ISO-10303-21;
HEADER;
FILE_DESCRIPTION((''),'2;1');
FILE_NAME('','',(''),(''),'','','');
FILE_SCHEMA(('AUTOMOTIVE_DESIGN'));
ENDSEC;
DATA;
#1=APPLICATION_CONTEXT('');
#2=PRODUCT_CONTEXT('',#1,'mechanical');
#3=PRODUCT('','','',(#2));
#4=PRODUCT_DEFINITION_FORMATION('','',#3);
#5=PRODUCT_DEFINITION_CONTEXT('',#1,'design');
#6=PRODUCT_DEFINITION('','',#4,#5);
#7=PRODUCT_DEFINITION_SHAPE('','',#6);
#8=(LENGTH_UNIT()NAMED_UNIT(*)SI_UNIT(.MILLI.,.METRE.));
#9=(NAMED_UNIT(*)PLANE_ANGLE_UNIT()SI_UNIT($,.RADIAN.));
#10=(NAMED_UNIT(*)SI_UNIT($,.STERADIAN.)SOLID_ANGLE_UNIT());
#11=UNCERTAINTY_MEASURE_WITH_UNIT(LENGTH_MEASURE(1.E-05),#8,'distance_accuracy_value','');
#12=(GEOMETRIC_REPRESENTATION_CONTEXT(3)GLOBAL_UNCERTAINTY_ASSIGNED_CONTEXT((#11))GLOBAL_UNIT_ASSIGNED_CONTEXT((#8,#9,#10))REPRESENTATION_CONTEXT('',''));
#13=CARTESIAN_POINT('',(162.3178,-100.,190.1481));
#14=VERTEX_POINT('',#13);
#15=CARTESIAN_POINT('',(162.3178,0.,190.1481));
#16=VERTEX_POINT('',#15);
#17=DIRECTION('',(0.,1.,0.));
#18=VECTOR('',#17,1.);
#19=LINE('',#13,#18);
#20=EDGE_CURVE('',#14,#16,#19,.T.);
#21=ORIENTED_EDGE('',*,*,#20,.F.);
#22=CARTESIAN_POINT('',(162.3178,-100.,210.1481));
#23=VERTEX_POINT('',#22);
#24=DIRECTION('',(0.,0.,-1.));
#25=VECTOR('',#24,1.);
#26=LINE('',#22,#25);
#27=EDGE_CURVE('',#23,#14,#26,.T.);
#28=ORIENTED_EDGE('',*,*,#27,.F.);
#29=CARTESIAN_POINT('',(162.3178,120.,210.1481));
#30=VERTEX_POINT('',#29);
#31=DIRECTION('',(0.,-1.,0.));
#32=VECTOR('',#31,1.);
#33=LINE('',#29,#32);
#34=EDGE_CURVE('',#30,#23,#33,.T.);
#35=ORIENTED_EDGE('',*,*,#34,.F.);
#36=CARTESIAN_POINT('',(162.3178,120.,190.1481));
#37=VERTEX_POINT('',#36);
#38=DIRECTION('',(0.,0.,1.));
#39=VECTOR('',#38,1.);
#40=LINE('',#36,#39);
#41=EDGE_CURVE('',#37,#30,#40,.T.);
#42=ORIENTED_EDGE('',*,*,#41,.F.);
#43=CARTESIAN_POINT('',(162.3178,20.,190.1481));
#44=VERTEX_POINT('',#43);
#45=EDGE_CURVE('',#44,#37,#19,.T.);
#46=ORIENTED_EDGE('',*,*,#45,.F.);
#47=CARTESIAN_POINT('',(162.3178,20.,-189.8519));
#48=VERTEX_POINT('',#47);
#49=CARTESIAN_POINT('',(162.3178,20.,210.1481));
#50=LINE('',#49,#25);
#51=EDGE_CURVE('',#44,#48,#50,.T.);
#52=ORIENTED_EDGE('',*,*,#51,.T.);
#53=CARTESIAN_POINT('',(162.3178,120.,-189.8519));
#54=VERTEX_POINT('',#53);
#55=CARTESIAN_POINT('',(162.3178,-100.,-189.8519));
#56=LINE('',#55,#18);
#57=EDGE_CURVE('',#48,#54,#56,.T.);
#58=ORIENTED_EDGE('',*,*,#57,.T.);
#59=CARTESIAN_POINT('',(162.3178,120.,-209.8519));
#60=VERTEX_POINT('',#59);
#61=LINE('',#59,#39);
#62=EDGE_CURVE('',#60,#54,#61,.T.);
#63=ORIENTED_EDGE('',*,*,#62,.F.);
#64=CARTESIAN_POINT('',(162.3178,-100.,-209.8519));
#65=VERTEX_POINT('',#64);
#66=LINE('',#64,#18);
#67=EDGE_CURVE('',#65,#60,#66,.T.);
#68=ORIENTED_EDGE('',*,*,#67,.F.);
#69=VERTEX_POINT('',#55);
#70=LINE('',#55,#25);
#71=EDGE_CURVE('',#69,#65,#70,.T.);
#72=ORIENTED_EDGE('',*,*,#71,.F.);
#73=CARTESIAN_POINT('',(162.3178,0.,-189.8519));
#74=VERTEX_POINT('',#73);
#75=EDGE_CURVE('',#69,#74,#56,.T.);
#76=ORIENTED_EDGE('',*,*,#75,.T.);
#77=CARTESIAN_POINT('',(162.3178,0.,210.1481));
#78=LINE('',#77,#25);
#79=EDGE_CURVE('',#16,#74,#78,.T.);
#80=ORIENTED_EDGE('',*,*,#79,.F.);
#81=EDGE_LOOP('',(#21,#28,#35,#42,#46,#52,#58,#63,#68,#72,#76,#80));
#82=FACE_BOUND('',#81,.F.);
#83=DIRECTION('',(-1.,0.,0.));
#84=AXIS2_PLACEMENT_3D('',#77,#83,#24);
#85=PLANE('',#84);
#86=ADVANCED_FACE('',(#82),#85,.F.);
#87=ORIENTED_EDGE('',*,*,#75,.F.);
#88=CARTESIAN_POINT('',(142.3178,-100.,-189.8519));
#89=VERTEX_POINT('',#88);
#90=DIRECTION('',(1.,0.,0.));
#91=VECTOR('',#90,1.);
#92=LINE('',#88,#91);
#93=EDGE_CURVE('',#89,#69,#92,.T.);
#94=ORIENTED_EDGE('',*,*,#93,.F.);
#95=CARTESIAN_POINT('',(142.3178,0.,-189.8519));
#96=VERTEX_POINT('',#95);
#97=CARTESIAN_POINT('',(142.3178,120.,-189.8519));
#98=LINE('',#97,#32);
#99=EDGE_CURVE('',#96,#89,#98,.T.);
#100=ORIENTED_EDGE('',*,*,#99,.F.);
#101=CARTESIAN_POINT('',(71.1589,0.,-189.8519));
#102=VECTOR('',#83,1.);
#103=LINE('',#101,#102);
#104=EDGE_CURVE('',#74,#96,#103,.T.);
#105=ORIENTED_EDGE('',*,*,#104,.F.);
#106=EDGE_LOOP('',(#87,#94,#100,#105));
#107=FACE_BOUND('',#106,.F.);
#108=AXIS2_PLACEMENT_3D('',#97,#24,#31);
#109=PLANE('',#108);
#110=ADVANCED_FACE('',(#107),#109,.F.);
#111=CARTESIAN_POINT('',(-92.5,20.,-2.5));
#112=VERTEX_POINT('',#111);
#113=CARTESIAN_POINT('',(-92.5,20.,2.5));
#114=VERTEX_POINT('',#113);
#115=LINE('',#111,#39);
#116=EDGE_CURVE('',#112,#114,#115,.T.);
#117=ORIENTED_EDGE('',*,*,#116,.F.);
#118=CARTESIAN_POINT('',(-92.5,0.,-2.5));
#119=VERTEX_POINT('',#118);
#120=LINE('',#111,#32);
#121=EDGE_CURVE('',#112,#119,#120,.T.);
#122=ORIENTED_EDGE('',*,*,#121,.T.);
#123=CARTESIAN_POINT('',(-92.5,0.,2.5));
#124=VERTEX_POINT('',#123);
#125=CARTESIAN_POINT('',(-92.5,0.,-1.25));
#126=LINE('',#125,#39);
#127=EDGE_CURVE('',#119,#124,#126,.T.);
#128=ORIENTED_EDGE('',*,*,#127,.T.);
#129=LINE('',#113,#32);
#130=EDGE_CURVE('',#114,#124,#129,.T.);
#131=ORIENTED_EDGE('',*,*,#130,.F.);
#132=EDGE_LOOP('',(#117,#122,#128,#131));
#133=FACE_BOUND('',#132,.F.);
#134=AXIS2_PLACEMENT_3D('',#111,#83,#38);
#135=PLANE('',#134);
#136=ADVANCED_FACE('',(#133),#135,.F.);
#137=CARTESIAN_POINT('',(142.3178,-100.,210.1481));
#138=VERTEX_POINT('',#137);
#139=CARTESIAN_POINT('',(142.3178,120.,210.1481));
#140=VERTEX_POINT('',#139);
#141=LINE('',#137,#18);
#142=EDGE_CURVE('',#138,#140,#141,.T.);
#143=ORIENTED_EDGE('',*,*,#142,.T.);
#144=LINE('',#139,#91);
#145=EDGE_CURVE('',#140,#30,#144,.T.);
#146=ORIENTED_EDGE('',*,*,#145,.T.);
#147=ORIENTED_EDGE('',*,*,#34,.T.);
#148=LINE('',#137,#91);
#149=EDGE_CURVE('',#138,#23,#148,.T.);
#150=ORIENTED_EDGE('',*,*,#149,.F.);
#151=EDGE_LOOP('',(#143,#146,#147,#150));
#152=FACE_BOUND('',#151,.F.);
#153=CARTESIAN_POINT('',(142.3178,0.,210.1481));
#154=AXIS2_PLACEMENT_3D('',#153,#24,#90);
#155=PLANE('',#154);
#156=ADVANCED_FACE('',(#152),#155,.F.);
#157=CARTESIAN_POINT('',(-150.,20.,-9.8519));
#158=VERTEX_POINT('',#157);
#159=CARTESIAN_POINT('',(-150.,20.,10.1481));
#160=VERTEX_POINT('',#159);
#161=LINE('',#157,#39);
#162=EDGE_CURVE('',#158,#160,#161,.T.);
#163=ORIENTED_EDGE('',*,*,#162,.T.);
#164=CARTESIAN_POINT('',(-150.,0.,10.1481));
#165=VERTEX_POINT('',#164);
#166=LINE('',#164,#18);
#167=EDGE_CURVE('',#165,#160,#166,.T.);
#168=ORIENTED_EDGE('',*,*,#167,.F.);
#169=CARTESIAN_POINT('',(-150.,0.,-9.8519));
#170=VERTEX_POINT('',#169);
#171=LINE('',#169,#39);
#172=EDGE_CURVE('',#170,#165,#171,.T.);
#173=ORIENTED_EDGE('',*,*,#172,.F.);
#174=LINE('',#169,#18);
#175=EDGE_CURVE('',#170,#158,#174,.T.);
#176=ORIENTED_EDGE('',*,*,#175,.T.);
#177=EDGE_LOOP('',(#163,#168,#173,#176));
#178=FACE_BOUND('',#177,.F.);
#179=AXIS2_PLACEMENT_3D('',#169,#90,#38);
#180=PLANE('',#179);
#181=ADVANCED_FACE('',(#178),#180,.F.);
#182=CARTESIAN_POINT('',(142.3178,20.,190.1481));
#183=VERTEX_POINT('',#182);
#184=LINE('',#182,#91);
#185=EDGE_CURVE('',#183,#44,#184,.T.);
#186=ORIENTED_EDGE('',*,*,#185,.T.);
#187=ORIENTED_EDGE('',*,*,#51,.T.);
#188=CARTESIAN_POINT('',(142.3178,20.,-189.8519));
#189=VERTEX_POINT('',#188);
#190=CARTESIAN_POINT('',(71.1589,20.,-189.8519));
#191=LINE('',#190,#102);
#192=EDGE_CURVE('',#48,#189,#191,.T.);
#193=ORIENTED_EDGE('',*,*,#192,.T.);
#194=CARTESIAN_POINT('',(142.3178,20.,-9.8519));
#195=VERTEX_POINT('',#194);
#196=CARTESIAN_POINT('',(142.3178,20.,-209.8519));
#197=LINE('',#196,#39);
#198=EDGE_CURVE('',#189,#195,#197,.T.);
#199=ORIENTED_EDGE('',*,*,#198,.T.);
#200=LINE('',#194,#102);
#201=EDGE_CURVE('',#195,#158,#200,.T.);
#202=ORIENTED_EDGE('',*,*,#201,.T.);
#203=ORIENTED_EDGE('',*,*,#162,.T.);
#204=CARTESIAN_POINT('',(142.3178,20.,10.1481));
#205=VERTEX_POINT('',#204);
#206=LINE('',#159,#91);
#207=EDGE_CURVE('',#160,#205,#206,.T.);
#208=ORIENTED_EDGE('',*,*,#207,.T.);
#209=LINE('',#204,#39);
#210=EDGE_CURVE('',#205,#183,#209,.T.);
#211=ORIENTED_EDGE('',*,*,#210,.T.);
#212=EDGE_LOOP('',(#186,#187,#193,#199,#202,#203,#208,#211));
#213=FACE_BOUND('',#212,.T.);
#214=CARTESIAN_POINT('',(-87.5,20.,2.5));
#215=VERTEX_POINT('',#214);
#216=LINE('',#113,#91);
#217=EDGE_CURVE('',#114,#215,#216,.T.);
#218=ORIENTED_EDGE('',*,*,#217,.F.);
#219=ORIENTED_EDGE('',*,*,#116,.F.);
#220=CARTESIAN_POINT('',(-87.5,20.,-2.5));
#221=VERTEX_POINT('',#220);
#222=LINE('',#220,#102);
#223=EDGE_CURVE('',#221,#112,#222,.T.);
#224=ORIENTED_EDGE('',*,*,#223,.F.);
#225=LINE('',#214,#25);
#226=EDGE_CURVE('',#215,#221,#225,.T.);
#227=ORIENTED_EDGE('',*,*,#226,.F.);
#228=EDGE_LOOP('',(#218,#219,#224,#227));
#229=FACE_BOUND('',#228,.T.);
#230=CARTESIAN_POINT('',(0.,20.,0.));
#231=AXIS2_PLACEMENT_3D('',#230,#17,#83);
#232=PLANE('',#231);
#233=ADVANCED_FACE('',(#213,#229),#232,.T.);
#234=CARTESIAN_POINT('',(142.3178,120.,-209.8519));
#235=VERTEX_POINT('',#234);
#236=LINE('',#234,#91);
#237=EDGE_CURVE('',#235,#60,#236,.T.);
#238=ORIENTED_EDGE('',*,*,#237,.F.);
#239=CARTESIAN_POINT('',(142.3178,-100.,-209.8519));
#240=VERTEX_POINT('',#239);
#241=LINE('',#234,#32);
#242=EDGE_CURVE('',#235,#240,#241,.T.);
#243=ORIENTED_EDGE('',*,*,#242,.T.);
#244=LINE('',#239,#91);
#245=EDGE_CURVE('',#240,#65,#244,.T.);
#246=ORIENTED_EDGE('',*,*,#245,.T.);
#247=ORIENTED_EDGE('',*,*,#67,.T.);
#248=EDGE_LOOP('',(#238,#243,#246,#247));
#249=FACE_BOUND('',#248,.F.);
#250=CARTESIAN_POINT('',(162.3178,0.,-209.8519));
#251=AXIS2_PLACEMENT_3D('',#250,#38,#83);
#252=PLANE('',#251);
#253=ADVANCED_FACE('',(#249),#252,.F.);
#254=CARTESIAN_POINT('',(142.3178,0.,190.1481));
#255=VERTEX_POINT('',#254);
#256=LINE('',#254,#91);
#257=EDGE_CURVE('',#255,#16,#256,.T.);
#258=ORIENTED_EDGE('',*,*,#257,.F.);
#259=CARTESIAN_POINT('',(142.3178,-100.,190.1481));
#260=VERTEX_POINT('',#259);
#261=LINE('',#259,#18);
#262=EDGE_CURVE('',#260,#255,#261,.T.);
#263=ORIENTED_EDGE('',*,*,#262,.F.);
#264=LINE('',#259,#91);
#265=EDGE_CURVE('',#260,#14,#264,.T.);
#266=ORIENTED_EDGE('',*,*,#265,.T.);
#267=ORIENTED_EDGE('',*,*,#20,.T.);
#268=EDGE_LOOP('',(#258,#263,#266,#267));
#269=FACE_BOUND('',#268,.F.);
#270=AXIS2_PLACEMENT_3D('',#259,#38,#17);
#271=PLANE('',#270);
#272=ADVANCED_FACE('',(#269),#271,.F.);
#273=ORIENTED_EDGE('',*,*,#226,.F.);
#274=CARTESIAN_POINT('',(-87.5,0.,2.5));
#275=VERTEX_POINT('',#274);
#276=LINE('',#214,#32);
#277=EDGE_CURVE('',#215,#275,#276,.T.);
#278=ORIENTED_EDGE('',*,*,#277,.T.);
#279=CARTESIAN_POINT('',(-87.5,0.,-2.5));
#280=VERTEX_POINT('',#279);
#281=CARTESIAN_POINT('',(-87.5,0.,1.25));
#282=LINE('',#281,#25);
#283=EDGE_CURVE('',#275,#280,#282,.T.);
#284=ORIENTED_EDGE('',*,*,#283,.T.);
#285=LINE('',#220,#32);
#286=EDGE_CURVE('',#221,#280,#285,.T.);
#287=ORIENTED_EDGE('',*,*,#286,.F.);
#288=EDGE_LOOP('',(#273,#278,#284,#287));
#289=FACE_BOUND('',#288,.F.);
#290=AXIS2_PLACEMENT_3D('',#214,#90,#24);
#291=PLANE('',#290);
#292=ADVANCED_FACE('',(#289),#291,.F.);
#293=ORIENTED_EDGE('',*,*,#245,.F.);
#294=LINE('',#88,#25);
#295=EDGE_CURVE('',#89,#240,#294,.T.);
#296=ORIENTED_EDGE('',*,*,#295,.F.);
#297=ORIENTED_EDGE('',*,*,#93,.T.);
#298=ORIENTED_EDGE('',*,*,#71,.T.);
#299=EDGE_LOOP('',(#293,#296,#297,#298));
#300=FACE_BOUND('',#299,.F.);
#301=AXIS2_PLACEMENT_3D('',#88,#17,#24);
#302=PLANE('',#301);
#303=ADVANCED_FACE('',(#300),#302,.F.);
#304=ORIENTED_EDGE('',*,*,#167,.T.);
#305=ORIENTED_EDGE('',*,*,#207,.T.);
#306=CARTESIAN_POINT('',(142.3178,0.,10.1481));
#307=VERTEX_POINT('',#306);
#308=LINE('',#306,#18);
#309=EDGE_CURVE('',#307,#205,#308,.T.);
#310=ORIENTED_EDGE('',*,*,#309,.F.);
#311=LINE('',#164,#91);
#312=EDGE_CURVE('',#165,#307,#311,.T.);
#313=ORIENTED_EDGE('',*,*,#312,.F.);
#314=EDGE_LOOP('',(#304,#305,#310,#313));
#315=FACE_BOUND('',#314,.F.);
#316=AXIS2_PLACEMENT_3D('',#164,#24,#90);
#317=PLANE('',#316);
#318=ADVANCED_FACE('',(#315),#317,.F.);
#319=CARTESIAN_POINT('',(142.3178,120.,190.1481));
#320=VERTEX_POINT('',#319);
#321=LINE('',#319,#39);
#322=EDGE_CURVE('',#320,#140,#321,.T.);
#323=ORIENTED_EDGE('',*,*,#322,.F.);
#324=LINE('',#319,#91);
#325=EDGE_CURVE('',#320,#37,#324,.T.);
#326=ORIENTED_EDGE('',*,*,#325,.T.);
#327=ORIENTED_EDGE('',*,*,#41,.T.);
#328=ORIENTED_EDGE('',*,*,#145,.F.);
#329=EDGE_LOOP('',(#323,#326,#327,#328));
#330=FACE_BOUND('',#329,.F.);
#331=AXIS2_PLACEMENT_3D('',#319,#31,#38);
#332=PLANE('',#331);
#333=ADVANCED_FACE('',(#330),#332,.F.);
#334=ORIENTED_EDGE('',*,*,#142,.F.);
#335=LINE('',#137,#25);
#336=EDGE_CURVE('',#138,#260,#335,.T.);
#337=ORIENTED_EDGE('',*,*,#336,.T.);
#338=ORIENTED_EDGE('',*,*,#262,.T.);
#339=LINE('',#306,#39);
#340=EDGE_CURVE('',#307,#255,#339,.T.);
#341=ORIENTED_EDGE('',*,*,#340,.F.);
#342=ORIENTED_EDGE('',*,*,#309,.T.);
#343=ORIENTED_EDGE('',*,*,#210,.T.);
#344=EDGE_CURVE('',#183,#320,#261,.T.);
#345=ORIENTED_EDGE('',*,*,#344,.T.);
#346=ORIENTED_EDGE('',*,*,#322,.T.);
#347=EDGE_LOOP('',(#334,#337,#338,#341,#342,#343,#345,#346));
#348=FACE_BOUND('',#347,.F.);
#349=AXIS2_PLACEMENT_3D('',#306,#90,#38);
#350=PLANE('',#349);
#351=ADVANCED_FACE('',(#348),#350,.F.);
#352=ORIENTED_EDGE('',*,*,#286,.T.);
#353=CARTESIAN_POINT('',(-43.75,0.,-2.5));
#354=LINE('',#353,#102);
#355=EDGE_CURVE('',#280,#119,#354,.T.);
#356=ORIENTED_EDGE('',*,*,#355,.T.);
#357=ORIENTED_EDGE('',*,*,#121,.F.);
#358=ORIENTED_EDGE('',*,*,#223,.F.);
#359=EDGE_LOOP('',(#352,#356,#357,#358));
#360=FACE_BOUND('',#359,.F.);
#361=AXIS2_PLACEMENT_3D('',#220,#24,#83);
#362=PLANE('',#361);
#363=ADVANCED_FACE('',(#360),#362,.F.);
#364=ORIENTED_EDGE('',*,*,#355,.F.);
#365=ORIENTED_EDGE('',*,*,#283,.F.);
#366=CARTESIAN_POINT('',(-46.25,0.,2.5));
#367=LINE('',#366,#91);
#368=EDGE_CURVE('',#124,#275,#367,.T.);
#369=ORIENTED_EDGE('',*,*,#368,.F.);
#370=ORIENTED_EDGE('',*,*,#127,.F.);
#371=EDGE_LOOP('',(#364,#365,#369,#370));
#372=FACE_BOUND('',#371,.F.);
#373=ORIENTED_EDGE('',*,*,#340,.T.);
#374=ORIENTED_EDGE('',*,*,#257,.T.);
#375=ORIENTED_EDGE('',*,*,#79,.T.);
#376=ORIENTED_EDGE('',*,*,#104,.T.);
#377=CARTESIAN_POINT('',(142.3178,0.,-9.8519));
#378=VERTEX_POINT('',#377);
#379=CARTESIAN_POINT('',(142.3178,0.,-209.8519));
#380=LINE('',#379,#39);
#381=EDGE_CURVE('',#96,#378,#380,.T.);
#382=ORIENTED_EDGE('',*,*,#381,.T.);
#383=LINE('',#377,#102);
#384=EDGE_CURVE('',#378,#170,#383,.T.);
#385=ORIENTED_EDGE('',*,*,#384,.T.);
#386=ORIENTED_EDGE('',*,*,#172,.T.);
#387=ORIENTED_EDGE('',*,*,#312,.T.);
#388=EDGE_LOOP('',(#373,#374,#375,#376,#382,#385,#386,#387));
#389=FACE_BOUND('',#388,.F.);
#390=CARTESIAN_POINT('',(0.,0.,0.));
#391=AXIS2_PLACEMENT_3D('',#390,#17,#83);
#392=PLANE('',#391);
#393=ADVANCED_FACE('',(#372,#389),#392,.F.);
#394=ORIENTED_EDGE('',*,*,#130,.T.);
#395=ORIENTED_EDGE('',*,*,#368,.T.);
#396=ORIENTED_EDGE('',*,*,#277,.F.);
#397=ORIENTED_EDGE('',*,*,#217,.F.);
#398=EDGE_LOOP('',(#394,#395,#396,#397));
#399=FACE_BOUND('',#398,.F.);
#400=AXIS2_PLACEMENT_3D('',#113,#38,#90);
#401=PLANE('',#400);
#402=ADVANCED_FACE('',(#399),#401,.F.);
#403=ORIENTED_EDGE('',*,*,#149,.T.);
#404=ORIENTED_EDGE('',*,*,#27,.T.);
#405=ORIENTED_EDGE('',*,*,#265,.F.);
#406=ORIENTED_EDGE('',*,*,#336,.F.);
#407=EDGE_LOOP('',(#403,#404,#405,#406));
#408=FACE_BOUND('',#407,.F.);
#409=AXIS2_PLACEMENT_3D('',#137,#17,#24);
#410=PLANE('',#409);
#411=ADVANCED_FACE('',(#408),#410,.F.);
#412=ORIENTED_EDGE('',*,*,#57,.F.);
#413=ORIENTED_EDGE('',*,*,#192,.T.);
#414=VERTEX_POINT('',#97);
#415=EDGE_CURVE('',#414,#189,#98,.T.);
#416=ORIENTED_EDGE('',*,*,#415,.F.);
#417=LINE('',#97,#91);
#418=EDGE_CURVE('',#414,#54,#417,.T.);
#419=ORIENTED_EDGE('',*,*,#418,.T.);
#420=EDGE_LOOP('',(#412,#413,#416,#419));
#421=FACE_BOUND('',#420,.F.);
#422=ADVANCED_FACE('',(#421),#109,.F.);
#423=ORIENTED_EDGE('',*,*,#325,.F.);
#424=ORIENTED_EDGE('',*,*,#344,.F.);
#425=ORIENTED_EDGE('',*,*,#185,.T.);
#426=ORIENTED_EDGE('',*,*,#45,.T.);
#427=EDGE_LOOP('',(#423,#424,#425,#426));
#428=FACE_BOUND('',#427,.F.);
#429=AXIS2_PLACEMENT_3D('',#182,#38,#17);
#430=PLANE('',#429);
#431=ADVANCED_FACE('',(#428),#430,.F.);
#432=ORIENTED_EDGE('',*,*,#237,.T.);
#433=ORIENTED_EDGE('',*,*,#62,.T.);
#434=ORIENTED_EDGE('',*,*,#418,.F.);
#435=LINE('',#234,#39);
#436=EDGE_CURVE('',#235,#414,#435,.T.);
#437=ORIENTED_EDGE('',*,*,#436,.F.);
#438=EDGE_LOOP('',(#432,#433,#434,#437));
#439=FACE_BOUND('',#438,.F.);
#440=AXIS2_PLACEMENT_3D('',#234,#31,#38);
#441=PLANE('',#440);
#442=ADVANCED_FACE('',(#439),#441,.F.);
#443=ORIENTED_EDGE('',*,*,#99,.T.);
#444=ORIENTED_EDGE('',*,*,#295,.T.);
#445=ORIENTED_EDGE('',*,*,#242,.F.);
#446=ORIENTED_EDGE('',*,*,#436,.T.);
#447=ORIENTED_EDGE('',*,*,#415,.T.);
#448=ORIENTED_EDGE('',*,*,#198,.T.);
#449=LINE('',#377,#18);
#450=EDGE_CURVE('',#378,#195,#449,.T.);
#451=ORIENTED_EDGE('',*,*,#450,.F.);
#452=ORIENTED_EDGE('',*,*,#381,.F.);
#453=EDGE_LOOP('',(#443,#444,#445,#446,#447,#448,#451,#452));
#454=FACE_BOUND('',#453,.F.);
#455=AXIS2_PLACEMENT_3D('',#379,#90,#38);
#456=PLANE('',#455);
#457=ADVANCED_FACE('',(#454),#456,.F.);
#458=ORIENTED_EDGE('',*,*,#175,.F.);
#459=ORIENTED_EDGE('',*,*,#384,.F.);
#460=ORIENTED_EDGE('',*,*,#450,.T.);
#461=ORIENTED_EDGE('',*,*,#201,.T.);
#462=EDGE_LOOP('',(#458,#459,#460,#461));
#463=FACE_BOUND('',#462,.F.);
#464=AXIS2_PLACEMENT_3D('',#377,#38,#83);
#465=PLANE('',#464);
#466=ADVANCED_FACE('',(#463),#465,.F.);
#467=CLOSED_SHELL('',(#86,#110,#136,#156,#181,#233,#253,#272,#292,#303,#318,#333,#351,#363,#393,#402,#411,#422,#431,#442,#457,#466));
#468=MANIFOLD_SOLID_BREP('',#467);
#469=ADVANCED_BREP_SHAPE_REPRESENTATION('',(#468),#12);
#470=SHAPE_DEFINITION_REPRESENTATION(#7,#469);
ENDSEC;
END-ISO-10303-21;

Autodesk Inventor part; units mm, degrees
ref_plane "YZ Plane" through (0, 0, 0) normal (1, 0, 0) x (0, 1, 0)
ref_plane "XZ Plane" through (0, 0, 0) normal (0, 1, 0) x (-1, 0, 0)
ref_plane "XY Plane" through (0, 0, 0) normal (0, 0, 1) x (1, 0, 0)
sketch "Sketch2" plane through (0, 0, 0) normal (0, 1, 0) x (-1, 0, 0)
  line L0 (150, 10.1481) -> (-142.3178, 10.1481)
  line L1 (-142.3178, -9.8519) -> (150, -9.8519)
  line L2 (150, -9.8519) -> (150, 10.1481)
  line L3 (-142.3178, 10.1481) -> (-142.3178, 210.1481)
  line L4 (-142.3178, 210.1481) -> (-162.3178, 210.1481)
  line L5 (-162.3178, 210.1481) -> (-162.3178, -209.8519)
  line L6 (-162.3178, -209.8519) -> (-142.3178, -209.8519)
  line L7 (-142.3178, -209.8519) -> (-142.3178, -9.8519)
  point P0 (0, 0)
  dimension "d0" = 20
  dimension "d2" = 150
  dimension "d3" = 200
  dimension "d4" = 420
  dimension "d5" = 20
  dimension "d6" = 292.3178
  dimension "d7" = 20
extrude "Extrusion1" add sketch "Sketch2" along normal blind 20
sketch "Sketch3" plane through (142.3178, 0, -209.8519) normal (-1, 0, 0) x (0, 0, 1)
  line L0 (0, 120) -> (20, 120)
  line L1 (20, 120) -> (20, -100)
  line L2 (20, -100) -> (0, -100)
  line L3 (0, -100) -> (0, 120)
  line L4 (0, 0) -> (200, 0) projected
  line L5 (0, 20) -> (200, 20) projected
  line L6 (420, -100) -> (400, -100)
  line L7 (400, -100) -> (400, 120)
  line L8 (400, 120) -> (420, 120)
  line L9 (420, 120) -> (420, -100)
  line L10 (420, 0) -> (420, 20) projected
  line L11 (220, 0) -> (420, 0) projected
  line L12 (220, 20) -> (420, 20) projected
  point P0 (209.8519, 0)
  point P1 (400, 20)
  point P2 (400, 0)
  dimension "d10" = 100
  dimension "d11" = 100
  dimension "d12" = 20
  dimension "d13" = 20
  dimension "d14" = 0
  dimension "d15" = 100
  dimension "d16" = 100
extrude "Extrusion2" add sketch "Sketch3" against normal blind 20 contours L0 L1 L5 L3 | L5 L1 L4 L3 | L4 L1 L2 L3 | L6 L7 L11 L9 | L12 L7 L8 L9
sketch "Sketch8" plane through (0, 20, 0) normal (0, 1, 0) x (1, 0, 0)
  line L0 (-150, 9.8519) -> (-150, -10.1481) projected
  line L1 (-92.5, -2.5) -> (-87.5, -2.5)
  line L2 (-87.5, -2.5) -> (-87.5, 2.5)
  line L3 (-87.5, 2.5) -> (-92.5, 2.5)
  line L4 (-92.5, 2.5) -> (-92.5, -2.5)
  point P0 (0, 0)
  point P1 (-90, 0)
  point P2 (-150, -0.1481)
  point P3 (-90, -2.5)
  point P4 (-87.5, 0)
  dimension "d36" = 60
  dimension "d37" = 2.5
  dimension "d38" = 5
  dimension "d39" = 5
  dimension "d40" = 2.5
extrude "Extrusion4" cut sketch "Sketch8" against normal through all
properties part number "statyw"
